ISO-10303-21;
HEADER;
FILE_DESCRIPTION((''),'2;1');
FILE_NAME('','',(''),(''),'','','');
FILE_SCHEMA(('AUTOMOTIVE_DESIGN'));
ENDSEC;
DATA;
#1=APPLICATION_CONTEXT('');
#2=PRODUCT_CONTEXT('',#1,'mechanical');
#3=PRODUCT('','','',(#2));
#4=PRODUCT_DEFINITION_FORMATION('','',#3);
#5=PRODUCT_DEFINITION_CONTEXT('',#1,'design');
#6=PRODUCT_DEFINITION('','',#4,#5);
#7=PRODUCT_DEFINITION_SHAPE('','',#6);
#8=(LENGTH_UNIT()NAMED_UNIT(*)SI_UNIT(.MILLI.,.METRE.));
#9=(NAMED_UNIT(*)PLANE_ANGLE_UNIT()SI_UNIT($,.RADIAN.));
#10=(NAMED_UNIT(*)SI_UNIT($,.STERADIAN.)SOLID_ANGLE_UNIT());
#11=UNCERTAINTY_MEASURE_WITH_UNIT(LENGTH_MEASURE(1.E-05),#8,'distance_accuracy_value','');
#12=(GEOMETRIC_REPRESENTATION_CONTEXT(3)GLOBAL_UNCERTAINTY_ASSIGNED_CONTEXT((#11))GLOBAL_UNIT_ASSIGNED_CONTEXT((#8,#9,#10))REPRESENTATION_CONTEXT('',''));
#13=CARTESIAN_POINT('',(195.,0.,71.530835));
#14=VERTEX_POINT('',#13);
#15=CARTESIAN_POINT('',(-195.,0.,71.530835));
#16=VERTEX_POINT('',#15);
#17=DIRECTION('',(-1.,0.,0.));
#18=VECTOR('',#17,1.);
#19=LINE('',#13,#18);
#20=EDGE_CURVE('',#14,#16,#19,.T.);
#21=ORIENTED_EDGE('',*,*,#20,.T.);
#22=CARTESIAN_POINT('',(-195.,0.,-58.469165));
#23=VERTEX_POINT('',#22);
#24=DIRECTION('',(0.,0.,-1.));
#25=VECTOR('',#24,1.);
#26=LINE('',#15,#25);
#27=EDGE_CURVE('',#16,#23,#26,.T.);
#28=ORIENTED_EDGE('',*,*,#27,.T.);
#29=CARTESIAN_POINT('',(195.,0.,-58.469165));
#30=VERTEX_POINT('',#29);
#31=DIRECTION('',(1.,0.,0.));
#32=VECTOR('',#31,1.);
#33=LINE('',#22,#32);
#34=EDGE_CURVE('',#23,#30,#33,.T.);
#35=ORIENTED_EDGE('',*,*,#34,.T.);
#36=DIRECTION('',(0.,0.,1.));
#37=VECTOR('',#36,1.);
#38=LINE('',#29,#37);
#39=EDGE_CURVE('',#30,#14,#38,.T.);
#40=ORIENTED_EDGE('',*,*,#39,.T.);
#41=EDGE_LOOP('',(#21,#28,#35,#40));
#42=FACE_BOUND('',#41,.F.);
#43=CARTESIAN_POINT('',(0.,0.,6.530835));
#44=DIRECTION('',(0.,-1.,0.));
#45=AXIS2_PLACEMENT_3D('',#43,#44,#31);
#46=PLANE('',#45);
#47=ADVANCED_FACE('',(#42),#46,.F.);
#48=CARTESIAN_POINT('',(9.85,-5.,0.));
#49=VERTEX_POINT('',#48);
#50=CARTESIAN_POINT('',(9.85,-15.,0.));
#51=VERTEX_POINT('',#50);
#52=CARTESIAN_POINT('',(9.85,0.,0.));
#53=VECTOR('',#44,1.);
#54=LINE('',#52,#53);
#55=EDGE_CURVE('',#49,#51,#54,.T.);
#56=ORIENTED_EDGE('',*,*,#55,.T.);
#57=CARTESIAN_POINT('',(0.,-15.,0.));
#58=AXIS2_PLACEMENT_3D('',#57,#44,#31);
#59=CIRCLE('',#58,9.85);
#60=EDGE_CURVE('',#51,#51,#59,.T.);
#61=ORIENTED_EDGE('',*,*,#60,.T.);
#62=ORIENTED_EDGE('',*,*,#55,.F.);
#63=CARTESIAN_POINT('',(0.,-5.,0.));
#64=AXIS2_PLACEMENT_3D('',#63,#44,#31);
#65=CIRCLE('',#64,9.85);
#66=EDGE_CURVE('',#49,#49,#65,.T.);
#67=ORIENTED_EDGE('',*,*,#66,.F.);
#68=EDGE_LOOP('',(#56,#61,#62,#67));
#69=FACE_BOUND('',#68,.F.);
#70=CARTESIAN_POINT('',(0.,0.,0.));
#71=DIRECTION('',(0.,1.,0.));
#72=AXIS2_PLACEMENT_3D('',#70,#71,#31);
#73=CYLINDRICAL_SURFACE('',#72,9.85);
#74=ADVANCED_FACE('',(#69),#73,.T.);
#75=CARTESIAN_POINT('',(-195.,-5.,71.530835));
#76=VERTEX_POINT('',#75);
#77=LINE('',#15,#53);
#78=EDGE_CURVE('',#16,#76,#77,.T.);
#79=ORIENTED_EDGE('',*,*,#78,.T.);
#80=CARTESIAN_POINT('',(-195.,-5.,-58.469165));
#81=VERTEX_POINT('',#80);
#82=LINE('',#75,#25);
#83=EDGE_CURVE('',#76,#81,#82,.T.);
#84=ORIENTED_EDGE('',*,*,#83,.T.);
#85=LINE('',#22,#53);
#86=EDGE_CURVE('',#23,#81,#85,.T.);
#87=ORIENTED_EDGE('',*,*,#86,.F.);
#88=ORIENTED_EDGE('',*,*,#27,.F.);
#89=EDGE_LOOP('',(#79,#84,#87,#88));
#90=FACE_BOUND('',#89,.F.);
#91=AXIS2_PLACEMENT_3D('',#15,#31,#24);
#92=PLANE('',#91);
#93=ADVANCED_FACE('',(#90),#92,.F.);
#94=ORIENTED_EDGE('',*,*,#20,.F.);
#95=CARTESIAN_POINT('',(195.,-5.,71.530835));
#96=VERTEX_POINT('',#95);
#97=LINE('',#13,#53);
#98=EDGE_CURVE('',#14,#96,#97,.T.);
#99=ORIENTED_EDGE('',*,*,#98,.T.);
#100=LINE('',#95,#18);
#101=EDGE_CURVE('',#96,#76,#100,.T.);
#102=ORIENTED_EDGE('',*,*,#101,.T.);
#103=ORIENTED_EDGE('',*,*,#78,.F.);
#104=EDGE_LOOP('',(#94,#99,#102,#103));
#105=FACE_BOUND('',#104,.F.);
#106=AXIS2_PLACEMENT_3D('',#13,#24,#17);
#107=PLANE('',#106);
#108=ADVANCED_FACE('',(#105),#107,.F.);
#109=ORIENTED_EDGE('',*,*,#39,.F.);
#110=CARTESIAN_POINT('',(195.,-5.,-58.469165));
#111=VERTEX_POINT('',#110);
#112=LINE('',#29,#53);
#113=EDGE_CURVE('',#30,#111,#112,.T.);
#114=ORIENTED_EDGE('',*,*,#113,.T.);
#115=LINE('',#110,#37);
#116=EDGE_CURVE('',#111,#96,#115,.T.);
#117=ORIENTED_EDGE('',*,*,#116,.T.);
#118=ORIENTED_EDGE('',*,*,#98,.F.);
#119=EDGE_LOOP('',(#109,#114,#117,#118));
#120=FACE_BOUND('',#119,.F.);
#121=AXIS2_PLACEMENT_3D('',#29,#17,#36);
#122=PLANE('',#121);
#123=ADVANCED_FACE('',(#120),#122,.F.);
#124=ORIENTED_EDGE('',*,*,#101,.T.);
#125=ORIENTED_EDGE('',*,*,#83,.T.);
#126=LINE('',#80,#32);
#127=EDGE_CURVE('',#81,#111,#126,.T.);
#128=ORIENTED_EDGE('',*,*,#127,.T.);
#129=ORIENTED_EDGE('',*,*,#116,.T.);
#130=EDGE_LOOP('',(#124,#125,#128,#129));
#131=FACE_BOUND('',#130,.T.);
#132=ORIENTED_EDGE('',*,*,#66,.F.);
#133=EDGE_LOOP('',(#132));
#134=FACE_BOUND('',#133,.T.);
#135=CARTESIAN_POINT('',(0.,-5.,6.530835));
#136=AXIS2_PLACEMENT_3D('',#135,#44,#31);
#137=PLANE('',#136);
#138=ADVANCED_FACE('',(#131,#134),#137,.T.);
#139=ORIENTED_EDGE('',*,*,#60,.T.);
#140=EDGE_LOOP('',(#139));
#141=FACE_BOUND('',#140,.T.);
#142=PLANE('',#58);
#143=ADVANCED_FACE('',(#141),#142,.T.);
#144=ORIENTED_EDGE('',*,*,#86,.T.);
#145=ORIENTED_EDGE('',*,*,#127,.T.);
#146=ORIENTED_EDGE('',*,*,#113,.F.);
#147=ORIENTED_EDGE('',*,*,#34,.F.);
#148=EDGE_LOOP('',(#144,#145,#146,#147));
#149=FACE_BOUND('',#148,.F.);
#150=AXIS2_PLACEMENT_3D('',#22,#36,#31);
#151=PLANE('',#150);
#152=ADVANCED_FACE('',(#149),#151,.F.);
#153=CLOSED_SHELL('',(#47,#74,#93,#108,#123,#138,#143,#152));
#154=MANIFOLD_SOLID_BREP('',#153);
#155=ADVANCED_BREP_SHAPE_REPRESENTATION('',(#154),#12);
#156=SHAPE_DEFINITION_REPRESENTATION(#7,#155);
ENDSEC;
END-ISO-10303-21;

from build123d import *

# Parameters (mm, degrees)
F0_R     = 9.85
F1_DEPTH = 5
F2_DEPTH = 15


with BuildPart() as f1:
    # F0 (on Front) → F1 (new body)
    with BuildSketch(Plane.XZ):
        Polygon((195, 71.530835), (0, 71.530835), (-195, 71.530835), (-195, -58.469165), (195, -58.469165), align=None)
        Circle(F0_R, mode=Mode.SUBTRACT)
    extrude(amount=F1_DEPTH)

    # F0 (on Front) → F2 (join)
    with BuildSketch(Plane.XZ):
        Circle(F0_R)
    extrude(amount=F2_DEPTH)


solid = f1.part
